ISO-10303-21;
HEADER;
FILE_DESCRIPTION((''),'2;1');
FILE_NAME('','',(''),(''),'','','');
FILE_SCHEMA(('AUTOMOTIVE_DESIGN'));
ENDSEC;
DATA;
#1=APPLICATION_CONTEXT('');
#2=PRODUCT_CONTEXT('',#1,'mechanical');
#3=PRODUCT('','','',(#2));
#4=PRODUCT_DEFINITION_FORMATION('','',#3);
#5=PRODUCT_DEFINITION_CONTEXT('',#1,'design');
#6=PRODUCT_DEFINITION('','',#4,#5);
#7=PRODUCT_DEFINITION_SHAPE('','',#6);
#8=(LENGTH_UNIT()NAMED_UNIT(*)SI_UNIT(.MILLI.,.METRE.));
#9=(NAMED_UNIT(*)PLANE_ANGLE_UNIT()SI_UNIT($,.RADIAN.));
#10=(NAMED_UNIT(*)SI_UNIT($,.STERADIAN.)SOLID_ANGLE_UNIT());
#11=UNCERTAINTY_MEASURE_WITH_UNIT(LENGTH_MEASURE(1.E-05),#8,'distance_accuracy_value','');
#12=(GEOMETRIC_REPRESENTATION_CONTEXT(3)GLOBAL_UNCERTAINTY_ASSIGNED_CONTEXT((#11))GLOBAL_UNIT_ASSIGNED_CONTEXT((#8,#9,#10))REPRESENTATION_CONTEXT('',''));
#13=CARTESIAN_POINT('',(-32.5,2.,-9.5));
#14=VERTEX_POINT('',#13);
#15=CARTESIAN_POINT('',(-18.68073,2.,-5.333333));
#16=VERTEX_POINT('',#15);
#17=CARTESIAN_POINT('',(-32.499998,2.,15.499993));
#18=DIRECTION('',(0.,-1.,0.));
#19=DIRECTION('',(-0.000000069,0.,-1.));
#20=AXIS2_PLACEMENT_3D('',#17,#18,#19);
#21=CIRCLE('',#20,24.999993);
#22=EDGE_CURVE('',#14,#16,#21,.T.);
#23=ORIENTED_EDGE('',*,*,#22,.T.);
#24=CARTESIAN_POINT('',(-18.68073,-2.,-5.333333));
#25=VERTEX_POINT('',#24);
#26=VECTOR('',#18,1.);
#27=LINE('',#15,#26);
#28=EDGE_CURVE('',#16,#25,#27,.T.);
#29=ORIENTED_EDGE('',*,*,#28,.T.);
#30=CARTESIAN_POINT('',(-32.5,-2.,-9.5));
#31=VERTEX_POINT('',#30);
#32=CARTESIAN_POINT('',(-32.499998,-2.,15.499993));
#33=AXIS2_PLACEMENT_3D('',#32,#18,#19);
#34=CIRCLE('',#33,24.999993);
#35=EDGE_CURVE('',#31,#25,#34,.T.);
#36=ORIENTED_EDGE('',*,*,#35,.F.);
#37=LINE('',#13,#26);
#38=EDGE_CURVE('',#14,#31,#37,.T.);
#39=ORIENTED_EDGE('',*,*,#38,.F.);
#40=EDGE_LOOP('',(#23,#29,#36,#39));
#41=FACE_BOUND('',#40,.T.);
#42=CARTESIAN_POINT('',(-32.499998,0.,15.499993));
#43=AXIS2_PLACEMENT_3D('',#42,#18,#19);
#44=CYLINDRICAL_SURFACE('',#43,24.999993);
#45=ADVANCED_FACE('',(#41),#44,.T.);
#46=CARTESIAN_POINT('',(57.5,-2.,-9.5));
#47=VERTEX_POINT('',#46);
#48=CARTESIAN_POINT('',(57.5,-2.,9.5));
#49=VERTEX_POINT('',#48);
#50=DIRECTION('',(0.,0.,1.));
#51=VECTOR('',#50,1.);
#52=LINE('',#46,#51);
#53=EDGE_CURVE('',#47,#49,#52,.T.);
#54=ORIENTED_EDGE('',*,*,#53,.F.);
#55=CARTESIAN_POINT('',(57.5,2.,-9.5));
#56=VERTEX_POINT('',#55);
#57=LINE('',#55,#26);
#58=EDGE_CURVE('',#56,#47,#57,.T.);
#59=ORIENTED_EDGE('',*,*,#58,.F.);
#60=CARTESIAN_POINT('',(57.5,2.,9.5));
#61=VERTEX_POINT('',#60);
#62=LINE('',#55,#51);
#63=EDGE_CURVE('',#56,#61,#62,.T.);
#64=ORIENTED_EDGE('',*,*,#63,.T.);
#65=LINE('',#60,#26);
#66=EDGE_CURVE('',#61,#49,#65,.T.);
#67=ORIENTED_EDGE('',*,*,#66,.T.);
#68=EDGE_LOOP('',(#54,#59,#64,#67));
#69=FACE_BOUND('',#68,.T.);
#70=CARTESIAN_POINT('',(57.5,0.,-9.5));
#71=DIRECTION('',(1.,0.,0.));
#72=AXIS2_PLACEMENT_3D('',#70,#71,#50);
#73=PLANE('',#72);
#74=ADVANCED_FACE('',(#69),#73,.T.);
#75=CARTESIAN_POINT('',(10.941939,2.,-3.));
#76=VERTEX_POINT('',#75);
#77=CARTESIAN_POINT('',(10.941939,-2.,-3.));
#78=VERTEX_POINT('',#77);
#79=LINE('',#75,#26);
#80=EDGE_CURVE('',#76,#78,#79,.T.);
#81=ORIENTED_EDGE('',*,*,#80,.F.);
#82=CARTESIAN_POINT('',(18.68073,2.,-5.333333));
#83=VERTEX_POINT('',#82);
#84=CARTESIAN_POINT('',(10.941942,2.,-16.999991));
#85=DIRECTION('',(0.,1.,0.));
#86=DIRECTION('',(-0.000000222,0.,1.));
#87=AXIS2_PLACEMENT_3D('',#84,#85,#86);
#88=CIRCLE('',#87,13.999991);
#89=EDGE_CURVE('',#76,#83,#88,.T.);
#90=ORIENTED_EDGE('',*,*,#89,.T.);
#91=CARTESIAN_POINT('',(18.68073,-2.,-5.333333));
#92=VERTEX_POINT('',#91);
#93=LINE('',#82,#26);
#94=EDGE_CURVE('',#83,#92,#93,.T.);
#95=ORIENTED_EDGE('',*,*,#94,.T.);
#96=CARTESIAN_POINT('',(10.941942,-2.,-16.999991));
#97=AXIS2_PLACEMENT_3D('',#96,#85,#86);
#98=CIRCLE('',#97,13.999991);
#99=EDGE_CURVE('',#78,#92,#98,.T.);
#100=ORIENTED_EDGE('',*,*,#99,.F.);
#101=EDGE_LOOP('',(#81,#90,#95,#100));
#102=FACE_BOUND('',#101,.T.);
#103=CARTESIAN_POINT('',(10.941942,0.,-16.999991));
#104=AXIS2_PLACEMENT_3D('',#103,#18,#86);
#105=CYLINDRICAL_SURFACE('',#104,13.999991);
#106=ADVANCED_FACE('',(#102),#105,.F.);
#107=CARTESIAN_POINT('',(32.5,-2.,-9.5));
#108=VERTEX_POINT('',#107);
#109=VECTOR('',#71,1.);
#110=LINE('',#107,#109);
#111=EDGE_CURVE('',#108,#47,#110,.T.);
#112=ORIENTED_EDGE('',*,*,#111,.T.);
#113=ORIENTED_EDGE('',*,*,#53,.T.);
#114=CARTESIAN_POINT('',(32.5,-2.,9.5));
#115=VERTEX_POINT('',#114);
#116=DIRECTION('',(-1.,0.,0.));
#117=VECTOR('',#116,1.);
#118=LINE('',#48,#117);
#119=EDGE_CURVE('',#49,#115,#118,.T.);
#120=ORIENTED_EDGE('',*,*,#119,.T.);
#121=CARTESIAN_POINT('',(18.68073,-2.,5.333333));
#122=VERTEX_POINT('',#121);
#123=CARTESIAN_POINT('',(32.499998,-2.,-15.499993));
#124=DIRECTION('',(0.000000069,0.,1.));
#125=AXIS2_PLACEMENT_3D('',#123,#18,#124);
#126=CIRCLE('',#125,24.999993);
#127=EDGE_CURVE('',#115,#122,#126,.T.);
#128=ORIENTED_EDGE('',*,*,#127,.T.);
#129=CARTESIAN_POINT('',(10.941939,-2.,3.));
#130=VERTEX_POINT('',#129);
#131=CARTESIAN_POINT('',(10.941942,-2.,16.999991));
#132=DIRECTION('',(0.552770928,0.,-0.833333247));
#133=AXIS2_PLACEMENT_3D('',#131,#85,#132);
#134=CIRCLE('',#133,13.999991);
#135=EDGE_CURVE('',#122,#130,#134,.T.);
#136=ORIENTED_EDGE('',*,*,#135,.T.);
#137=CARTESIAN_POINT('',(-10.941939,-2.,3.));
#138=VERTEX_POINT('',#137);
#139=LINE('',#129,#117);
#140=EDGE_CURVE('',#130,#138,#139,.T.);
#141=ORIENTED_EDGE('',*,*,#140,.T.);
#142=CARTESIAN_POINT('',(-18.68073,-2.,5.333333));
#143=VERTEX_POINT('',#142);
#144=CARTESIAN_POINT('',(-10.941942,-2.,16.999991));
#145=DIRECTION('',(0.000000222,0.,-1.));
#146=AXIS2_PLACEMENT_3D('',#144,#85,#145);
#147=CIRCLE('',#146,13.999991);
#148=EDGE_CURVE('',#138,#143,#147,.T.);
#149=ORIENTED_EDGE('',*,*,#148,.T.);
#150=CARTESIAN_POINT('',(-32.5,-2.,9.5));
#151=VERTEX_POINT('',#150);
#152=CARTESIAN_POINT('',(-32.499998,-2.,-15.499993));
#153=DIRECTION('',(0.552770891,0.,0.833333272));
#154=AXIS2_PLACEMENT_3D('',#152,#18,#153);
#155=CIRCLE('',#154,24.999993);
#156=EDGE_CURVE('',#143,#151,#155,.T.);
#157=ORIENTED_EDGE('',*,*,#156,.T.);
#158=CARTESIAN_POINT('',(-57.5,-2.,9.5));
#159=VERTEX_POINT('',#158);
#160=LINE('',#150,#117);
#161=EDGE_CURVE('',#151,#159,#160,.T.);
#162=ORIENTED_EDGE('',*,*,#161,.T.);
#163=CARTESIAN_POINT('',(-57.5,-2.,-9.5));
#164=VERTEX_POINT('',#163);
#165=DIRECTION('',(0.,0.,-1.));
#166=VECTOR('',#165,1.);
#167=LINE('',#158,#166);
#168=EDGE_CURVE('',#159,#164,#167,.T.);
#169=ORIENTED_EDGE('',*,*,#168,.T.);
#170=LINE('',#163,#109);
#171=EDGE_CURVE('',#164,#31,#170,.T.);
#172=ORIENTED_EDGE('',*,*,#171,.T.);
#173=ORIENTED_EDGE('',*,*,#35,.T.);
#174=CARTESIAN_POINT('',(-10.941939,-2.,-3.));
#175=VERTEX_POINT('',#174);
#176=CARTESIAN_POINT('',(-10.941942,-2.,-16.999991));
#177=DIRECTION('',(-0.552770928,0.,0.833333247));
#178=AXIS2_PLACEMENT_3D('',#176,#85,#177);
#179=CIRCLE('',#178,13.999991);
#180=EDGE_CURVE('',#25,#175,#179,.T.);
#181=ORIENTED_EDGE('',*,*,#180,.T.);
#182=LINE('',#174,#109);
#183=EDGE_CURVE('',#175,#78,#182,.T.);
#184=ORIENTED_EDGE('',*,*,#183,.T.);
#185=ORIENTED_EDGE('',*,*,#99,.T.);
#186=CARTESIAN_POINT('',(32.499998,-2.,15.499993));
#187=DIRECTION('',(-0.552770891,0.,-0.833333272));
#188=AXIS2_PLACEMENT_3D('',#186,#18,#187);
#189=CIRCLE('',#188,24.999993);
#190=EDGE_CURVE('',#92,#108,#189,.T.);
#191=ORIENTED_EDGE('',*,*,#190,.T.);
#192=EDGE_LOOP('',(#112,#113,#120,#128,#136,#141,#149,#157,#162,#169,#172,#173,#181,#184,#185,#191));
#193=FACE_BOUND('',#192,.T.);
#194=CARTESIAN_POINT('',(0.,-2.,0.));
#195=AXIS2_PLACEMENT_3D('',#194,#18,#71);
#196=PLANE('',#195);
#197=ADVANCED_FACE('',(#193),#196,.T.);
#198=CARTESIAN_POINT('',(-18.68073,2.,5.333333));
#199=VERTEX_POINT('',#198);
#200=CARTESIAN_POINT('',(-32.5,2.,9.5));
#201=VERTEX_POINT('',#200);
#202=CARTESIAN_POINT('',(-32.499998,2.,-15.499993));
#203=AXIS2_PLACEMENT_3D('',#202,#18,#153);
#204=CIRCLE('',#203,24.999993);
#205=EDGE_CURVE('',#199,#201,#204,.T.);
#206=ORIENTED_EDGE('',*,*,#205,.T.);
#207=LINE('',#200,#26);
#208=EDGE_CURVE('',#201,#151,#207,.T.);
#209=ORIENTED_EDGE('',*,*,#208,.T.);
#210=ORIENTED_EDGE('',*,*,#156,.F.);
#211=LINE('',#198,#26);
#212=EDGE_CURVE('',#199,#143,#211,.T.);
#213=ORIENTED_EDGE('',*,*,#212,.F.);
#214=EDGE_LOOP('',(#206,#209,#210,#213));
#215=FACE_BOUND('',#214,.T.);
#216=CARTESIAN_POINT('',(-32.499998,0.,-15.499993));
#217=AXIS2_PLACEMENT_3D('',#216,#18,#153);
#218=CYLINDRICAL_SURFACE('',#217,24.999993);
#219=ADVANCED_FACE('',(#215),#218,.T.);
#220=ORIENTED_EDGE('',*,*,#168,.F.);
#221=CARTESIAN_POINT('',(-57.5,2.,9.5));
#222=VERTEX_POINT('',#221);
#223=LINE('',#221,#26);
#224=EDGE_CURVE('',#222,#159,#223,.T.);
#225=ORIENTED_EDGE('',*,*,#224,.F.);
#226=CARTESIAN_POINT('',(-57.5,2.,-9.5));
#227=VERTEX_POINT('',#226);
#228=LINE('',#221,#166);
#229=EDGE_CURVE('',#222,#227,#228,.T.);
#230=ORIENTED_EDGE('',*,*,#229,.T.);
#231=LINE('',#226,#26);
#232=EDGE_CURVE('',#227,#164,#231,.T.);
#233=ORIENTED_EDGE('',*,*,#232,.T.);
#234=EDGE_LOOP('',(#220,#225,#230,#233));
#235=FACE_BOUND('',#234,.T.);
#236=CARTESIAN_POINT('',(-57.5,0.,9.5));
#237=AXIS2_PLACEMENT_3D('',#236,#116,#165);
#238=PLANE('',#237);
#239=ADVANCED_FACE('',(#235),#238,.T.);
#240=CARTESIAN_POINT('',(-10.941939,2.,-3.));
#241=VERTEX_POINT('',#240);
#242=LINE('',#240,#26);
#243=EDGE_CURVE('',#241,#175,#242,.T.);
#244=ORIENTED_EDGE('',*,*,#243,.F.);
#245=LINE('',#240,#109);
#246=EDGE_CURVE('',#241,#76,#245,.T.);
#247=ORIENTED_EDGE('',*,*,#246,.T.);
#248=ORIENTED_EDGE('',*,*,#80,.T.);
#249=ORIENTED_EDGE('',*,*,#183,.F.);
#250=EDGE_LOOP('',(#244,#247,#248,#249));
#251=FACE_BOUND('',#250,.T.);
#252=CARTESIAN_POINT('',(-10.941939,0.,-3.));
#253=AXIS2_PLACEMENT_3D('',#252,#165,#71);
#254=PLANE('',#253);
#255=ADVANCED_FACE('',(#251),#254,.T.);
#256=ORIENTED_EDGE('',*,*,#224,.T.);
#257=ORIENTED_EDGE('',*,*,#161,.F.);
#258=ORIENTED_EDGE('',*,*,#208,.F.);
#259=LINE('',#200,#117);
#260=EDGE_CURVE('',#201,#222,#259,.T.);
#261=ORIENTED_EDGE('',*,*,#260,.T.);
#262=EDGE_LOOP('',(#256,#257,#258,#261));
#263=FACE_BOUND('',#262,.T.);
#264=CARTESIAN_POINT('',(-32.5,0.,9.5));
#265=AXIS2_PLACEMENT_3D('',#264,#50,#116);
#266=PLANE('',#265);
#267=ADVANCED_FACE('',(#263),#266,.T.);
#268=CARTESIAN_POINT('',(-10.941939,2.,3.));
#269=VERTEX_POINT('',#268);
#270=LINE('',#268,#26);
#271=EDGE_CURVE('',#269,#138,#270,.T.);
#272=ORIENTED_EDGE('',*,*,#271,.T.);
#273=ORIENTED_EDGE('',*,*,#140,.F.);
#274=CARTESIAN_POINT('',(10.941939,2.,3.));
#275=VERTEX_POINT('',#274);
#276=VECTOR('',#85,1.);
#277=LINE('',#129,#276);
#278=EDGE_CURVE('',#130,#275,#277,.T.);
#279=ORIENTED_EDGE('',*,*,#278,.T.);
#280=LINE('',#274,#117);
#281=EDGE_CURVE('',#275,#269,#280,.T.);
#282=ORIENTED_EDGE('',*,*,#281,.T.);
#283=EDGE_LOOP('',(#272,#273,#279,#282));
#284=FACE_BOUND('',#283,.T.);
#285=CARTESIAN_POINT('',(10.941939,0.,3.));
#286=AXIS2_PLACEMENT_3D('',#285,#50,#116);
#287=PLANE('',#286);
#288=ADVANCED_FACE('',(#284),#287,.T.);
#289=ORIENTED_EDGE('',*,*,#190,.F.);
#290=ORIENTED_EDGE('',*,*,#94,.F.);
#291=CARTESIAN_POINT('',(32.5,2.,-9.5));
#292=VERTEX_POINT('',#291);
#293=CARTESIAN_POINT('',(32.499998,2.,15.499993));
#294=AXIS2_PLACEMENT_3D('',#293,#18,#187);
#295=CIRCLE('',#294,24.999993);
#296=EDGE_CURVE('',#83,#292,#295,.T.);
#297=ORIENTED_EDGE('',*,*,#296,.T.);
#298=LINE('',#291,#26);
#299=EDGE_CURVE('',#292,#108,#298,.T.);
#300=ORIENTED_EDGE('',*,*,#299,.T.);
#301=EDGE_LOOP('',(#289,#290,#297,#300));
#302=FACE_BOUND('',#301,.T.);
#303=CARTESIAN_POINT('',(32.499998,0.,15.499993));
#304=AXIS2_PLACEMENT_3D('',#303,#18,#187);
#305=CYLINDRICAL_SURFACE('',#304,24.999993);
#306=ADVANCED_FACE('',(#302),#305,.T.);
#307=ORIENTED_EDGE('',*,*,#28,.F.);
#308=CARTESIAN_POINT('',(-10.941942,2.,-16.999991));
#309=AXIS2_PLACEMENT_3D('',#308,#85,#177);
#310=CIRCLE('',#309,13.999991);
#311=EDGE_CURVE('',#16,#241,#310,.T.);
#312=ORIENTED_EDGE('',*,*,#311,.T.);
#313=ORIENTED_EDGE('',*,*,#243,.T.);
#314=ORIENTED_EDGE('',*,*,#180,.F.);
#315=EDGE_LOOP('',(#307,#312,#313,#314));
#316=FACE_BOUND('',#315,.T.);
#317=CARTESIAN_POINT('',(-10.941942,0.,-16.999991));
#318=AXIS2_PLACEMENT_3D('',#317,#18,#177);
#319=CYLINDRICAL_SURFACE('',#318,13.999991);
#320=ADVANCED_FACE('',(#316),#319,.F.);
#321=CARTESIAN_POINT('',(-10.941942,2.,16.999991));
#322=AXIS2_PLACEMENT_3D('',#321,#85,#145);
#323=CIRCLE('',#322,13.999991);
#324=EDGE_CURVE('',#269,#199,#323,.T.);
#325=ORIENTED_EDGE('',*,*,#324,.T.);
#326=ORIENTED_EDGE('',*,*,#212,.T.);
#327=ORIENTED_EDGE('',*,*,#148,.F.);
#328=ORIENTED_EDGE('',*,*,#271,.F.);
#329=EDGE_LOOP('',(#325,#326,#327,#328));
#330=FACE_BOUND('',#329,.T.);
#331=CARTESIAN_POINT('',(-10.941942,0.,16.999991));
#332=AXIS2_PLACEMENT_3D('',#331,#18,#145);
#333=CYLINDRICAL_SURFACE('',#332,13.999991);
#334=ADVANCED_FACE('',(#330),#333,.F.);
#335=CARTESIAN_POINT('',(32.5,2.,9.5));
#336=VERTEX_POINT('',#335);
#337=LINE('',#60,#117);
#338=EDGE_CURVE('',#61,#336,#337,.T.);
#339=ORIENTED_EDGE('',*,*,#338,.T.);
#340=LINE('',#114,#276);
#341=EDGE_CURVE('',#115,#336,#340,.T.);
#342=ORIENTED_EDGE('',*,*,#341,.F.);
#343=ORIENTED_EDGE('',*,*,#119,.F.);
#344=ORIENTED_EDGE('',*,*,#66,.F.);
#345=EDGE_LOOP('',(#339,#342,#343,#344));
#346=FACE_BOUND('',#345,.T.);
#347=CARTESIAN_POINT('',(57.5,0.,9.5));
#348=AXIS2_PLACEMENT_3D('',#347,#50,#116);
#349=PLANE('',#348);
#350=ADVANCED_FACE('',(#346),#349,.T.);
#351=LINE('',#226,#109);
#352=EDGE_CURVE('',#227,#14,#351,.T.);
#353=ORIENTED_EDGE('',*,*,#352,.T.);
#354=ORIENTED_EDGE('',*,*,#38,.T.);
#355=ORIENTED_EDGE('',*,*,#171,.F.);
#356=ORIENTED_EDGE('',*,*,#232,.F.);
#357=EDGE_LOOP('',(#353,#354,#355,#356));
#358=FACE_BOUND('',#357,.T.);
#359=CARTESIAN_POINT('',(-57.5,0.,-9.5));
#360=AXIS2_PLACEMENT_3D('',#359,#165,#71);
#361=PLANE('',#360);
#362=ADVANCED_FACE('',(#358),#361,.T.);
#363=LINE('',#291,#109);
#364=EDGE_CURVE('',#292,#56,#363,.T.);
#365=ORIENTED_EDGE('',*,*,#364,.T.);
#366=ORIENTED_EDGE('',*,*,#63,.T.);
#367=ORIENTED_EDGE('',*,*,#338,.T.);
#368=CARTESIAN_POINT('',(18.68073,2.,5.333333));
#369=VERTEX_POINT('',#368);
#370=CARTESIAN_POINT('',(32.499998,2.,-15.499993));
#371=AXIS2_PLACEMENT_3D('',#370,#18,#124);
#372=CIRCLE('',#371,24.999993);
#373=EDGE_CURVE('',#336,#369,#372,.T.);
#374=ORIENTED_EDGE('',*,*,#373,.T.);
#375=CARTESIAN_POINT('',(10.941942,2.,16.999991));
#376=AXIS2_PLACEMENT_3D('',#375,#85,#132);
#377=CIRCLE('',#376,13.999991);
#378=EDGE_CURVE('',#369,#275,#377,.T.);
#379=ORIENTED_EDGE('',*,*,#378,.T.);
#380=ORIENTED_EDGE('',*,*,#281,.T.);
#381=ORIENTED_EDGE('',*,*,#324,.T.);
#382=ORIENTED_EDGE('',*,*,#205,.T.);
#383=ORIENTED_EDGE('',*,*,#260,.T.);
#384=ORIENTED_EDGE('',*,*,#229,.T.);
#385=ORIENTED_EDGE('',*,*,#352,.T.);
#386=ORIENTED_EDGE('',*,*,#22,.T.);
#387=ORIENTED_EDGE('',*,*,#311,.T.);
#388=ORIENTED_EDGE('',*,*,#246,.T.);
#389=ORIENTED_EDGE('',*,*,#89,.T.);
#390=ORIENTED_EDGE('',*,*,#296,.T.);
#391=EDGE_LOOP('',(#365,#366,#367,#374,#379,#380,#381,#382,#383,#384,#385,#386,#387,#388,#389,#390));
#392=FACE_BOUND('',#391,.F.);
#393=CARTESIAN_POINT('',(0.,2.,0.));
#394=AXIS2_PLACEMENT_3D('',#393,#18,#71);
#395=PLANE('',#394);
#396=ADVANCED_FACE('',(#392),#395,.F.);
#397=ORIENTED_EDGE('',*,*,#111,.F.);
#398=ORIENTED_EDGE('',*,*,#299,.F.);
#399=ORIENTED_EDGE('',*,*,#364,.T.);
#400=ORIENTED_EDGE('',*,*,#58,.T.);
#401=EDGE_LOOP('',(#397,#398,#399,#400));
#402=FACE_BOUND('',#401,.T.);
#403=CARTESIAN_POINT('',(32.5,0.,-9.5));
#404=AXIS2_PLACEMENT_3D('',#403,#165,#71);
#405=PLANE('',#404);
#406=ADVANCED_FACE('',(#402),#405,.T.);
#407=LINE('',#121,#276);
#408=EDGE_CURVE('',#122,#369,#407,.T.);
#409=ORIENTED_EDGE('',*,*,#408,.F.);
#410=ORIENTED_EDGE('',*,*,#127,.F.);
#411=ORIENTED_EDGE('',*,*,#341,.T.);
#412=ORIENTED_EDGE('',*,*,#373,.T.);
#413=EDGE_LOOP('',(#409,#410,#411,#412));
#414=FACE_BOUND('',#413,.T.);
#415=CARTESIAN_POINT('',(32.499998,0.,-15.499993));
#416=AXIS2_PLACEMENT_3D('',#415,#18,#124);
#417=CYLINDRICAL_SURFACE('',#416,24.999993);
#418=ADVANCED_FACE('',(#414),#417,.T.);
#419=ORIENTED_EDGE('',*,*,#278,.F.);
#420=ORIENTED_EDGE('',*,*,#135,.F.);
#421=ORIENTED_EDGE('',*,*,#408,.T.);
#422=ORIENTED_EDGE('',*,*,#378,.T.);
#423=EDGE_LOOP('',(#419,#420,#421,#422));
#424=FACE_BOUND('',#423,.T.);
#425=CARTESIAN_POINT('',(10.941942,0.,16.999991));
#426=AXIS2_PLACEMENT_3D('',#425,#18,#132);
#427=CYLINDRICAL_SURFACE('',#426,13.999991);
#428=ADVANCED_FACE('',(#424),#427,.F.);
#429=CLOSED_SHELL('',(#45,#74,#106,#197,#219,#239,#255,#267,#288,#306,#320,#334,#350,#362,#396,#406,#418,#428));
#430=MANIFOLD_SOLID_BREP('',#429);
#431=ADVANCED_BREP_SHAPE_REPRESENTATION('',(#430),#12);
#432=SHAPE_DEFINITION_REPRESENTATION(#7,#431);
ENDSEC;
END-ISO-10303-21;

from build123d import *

# Parameters (mm, degrees)
F1_DEPTH = 2


with BuildPart() as f1:
    # F0 (on Front) → F1 (new body, symmetric)
    with BuildSketch(Plane.XZ):
        with BuildLine():
            Line((10.941939, 3), (0, 3))
            Line((0, 3), (-10.941939, 3))
            ThreePointArc((-10.941939, 3), (-14.983391, 3.59602), (-18.68073, 5.333333))
            ThreePointArc((-18.68073, 5.333333), (-25.283122, 8.435678), (-32.5, 9.5))
            Line((-32.5, 9.5), (-57.5, 9.5))
            Line((-57.5, 9.5), (-57.5, 0))
            Line((-57.5, 0), (-57.5, -9.5))
            Line((-57.5, -9.5), (-32.5, -9.5))
            ThreePointArc((-32.5, -9.5), (-25.283122, -8.435678), (-18.68073, -5.333333))
            ThreePointArc((-18.68073, -5.333333), (-14.983391, -3.59602), (-10.941939, -3))
            Line((-10.941939, -3), (0, -3))
            Line((0, -3), (10.941939, -3))
            ThreePointArc((10.941939, -3), (14.983391, -3.59602), (18.68073, -5.333333))
            ThreePointArc((18.68073, -5.333333), (25.283122, -8.435678), (32.5, -9.5))
            Line((32.5, -9.5), (57.5, -9.5))
            Line((57.5, -9.5), (57.5, 0))
            Line((57.5, 0), (57.5, 9.5))
            Line((57.5, 9.5), (32.5, 9.5))
            ThreePointArc((32.5, 9.5), (25.283122, 8.435678), (18.68073, 5.333333))
            ThreePointArc((18.68073, 5.333333), (14.983391, 3.59602), (10.941939, 3))
        make_face()
    extrude(amount=F1_DEPTH, both=True)


solid = f1.part
